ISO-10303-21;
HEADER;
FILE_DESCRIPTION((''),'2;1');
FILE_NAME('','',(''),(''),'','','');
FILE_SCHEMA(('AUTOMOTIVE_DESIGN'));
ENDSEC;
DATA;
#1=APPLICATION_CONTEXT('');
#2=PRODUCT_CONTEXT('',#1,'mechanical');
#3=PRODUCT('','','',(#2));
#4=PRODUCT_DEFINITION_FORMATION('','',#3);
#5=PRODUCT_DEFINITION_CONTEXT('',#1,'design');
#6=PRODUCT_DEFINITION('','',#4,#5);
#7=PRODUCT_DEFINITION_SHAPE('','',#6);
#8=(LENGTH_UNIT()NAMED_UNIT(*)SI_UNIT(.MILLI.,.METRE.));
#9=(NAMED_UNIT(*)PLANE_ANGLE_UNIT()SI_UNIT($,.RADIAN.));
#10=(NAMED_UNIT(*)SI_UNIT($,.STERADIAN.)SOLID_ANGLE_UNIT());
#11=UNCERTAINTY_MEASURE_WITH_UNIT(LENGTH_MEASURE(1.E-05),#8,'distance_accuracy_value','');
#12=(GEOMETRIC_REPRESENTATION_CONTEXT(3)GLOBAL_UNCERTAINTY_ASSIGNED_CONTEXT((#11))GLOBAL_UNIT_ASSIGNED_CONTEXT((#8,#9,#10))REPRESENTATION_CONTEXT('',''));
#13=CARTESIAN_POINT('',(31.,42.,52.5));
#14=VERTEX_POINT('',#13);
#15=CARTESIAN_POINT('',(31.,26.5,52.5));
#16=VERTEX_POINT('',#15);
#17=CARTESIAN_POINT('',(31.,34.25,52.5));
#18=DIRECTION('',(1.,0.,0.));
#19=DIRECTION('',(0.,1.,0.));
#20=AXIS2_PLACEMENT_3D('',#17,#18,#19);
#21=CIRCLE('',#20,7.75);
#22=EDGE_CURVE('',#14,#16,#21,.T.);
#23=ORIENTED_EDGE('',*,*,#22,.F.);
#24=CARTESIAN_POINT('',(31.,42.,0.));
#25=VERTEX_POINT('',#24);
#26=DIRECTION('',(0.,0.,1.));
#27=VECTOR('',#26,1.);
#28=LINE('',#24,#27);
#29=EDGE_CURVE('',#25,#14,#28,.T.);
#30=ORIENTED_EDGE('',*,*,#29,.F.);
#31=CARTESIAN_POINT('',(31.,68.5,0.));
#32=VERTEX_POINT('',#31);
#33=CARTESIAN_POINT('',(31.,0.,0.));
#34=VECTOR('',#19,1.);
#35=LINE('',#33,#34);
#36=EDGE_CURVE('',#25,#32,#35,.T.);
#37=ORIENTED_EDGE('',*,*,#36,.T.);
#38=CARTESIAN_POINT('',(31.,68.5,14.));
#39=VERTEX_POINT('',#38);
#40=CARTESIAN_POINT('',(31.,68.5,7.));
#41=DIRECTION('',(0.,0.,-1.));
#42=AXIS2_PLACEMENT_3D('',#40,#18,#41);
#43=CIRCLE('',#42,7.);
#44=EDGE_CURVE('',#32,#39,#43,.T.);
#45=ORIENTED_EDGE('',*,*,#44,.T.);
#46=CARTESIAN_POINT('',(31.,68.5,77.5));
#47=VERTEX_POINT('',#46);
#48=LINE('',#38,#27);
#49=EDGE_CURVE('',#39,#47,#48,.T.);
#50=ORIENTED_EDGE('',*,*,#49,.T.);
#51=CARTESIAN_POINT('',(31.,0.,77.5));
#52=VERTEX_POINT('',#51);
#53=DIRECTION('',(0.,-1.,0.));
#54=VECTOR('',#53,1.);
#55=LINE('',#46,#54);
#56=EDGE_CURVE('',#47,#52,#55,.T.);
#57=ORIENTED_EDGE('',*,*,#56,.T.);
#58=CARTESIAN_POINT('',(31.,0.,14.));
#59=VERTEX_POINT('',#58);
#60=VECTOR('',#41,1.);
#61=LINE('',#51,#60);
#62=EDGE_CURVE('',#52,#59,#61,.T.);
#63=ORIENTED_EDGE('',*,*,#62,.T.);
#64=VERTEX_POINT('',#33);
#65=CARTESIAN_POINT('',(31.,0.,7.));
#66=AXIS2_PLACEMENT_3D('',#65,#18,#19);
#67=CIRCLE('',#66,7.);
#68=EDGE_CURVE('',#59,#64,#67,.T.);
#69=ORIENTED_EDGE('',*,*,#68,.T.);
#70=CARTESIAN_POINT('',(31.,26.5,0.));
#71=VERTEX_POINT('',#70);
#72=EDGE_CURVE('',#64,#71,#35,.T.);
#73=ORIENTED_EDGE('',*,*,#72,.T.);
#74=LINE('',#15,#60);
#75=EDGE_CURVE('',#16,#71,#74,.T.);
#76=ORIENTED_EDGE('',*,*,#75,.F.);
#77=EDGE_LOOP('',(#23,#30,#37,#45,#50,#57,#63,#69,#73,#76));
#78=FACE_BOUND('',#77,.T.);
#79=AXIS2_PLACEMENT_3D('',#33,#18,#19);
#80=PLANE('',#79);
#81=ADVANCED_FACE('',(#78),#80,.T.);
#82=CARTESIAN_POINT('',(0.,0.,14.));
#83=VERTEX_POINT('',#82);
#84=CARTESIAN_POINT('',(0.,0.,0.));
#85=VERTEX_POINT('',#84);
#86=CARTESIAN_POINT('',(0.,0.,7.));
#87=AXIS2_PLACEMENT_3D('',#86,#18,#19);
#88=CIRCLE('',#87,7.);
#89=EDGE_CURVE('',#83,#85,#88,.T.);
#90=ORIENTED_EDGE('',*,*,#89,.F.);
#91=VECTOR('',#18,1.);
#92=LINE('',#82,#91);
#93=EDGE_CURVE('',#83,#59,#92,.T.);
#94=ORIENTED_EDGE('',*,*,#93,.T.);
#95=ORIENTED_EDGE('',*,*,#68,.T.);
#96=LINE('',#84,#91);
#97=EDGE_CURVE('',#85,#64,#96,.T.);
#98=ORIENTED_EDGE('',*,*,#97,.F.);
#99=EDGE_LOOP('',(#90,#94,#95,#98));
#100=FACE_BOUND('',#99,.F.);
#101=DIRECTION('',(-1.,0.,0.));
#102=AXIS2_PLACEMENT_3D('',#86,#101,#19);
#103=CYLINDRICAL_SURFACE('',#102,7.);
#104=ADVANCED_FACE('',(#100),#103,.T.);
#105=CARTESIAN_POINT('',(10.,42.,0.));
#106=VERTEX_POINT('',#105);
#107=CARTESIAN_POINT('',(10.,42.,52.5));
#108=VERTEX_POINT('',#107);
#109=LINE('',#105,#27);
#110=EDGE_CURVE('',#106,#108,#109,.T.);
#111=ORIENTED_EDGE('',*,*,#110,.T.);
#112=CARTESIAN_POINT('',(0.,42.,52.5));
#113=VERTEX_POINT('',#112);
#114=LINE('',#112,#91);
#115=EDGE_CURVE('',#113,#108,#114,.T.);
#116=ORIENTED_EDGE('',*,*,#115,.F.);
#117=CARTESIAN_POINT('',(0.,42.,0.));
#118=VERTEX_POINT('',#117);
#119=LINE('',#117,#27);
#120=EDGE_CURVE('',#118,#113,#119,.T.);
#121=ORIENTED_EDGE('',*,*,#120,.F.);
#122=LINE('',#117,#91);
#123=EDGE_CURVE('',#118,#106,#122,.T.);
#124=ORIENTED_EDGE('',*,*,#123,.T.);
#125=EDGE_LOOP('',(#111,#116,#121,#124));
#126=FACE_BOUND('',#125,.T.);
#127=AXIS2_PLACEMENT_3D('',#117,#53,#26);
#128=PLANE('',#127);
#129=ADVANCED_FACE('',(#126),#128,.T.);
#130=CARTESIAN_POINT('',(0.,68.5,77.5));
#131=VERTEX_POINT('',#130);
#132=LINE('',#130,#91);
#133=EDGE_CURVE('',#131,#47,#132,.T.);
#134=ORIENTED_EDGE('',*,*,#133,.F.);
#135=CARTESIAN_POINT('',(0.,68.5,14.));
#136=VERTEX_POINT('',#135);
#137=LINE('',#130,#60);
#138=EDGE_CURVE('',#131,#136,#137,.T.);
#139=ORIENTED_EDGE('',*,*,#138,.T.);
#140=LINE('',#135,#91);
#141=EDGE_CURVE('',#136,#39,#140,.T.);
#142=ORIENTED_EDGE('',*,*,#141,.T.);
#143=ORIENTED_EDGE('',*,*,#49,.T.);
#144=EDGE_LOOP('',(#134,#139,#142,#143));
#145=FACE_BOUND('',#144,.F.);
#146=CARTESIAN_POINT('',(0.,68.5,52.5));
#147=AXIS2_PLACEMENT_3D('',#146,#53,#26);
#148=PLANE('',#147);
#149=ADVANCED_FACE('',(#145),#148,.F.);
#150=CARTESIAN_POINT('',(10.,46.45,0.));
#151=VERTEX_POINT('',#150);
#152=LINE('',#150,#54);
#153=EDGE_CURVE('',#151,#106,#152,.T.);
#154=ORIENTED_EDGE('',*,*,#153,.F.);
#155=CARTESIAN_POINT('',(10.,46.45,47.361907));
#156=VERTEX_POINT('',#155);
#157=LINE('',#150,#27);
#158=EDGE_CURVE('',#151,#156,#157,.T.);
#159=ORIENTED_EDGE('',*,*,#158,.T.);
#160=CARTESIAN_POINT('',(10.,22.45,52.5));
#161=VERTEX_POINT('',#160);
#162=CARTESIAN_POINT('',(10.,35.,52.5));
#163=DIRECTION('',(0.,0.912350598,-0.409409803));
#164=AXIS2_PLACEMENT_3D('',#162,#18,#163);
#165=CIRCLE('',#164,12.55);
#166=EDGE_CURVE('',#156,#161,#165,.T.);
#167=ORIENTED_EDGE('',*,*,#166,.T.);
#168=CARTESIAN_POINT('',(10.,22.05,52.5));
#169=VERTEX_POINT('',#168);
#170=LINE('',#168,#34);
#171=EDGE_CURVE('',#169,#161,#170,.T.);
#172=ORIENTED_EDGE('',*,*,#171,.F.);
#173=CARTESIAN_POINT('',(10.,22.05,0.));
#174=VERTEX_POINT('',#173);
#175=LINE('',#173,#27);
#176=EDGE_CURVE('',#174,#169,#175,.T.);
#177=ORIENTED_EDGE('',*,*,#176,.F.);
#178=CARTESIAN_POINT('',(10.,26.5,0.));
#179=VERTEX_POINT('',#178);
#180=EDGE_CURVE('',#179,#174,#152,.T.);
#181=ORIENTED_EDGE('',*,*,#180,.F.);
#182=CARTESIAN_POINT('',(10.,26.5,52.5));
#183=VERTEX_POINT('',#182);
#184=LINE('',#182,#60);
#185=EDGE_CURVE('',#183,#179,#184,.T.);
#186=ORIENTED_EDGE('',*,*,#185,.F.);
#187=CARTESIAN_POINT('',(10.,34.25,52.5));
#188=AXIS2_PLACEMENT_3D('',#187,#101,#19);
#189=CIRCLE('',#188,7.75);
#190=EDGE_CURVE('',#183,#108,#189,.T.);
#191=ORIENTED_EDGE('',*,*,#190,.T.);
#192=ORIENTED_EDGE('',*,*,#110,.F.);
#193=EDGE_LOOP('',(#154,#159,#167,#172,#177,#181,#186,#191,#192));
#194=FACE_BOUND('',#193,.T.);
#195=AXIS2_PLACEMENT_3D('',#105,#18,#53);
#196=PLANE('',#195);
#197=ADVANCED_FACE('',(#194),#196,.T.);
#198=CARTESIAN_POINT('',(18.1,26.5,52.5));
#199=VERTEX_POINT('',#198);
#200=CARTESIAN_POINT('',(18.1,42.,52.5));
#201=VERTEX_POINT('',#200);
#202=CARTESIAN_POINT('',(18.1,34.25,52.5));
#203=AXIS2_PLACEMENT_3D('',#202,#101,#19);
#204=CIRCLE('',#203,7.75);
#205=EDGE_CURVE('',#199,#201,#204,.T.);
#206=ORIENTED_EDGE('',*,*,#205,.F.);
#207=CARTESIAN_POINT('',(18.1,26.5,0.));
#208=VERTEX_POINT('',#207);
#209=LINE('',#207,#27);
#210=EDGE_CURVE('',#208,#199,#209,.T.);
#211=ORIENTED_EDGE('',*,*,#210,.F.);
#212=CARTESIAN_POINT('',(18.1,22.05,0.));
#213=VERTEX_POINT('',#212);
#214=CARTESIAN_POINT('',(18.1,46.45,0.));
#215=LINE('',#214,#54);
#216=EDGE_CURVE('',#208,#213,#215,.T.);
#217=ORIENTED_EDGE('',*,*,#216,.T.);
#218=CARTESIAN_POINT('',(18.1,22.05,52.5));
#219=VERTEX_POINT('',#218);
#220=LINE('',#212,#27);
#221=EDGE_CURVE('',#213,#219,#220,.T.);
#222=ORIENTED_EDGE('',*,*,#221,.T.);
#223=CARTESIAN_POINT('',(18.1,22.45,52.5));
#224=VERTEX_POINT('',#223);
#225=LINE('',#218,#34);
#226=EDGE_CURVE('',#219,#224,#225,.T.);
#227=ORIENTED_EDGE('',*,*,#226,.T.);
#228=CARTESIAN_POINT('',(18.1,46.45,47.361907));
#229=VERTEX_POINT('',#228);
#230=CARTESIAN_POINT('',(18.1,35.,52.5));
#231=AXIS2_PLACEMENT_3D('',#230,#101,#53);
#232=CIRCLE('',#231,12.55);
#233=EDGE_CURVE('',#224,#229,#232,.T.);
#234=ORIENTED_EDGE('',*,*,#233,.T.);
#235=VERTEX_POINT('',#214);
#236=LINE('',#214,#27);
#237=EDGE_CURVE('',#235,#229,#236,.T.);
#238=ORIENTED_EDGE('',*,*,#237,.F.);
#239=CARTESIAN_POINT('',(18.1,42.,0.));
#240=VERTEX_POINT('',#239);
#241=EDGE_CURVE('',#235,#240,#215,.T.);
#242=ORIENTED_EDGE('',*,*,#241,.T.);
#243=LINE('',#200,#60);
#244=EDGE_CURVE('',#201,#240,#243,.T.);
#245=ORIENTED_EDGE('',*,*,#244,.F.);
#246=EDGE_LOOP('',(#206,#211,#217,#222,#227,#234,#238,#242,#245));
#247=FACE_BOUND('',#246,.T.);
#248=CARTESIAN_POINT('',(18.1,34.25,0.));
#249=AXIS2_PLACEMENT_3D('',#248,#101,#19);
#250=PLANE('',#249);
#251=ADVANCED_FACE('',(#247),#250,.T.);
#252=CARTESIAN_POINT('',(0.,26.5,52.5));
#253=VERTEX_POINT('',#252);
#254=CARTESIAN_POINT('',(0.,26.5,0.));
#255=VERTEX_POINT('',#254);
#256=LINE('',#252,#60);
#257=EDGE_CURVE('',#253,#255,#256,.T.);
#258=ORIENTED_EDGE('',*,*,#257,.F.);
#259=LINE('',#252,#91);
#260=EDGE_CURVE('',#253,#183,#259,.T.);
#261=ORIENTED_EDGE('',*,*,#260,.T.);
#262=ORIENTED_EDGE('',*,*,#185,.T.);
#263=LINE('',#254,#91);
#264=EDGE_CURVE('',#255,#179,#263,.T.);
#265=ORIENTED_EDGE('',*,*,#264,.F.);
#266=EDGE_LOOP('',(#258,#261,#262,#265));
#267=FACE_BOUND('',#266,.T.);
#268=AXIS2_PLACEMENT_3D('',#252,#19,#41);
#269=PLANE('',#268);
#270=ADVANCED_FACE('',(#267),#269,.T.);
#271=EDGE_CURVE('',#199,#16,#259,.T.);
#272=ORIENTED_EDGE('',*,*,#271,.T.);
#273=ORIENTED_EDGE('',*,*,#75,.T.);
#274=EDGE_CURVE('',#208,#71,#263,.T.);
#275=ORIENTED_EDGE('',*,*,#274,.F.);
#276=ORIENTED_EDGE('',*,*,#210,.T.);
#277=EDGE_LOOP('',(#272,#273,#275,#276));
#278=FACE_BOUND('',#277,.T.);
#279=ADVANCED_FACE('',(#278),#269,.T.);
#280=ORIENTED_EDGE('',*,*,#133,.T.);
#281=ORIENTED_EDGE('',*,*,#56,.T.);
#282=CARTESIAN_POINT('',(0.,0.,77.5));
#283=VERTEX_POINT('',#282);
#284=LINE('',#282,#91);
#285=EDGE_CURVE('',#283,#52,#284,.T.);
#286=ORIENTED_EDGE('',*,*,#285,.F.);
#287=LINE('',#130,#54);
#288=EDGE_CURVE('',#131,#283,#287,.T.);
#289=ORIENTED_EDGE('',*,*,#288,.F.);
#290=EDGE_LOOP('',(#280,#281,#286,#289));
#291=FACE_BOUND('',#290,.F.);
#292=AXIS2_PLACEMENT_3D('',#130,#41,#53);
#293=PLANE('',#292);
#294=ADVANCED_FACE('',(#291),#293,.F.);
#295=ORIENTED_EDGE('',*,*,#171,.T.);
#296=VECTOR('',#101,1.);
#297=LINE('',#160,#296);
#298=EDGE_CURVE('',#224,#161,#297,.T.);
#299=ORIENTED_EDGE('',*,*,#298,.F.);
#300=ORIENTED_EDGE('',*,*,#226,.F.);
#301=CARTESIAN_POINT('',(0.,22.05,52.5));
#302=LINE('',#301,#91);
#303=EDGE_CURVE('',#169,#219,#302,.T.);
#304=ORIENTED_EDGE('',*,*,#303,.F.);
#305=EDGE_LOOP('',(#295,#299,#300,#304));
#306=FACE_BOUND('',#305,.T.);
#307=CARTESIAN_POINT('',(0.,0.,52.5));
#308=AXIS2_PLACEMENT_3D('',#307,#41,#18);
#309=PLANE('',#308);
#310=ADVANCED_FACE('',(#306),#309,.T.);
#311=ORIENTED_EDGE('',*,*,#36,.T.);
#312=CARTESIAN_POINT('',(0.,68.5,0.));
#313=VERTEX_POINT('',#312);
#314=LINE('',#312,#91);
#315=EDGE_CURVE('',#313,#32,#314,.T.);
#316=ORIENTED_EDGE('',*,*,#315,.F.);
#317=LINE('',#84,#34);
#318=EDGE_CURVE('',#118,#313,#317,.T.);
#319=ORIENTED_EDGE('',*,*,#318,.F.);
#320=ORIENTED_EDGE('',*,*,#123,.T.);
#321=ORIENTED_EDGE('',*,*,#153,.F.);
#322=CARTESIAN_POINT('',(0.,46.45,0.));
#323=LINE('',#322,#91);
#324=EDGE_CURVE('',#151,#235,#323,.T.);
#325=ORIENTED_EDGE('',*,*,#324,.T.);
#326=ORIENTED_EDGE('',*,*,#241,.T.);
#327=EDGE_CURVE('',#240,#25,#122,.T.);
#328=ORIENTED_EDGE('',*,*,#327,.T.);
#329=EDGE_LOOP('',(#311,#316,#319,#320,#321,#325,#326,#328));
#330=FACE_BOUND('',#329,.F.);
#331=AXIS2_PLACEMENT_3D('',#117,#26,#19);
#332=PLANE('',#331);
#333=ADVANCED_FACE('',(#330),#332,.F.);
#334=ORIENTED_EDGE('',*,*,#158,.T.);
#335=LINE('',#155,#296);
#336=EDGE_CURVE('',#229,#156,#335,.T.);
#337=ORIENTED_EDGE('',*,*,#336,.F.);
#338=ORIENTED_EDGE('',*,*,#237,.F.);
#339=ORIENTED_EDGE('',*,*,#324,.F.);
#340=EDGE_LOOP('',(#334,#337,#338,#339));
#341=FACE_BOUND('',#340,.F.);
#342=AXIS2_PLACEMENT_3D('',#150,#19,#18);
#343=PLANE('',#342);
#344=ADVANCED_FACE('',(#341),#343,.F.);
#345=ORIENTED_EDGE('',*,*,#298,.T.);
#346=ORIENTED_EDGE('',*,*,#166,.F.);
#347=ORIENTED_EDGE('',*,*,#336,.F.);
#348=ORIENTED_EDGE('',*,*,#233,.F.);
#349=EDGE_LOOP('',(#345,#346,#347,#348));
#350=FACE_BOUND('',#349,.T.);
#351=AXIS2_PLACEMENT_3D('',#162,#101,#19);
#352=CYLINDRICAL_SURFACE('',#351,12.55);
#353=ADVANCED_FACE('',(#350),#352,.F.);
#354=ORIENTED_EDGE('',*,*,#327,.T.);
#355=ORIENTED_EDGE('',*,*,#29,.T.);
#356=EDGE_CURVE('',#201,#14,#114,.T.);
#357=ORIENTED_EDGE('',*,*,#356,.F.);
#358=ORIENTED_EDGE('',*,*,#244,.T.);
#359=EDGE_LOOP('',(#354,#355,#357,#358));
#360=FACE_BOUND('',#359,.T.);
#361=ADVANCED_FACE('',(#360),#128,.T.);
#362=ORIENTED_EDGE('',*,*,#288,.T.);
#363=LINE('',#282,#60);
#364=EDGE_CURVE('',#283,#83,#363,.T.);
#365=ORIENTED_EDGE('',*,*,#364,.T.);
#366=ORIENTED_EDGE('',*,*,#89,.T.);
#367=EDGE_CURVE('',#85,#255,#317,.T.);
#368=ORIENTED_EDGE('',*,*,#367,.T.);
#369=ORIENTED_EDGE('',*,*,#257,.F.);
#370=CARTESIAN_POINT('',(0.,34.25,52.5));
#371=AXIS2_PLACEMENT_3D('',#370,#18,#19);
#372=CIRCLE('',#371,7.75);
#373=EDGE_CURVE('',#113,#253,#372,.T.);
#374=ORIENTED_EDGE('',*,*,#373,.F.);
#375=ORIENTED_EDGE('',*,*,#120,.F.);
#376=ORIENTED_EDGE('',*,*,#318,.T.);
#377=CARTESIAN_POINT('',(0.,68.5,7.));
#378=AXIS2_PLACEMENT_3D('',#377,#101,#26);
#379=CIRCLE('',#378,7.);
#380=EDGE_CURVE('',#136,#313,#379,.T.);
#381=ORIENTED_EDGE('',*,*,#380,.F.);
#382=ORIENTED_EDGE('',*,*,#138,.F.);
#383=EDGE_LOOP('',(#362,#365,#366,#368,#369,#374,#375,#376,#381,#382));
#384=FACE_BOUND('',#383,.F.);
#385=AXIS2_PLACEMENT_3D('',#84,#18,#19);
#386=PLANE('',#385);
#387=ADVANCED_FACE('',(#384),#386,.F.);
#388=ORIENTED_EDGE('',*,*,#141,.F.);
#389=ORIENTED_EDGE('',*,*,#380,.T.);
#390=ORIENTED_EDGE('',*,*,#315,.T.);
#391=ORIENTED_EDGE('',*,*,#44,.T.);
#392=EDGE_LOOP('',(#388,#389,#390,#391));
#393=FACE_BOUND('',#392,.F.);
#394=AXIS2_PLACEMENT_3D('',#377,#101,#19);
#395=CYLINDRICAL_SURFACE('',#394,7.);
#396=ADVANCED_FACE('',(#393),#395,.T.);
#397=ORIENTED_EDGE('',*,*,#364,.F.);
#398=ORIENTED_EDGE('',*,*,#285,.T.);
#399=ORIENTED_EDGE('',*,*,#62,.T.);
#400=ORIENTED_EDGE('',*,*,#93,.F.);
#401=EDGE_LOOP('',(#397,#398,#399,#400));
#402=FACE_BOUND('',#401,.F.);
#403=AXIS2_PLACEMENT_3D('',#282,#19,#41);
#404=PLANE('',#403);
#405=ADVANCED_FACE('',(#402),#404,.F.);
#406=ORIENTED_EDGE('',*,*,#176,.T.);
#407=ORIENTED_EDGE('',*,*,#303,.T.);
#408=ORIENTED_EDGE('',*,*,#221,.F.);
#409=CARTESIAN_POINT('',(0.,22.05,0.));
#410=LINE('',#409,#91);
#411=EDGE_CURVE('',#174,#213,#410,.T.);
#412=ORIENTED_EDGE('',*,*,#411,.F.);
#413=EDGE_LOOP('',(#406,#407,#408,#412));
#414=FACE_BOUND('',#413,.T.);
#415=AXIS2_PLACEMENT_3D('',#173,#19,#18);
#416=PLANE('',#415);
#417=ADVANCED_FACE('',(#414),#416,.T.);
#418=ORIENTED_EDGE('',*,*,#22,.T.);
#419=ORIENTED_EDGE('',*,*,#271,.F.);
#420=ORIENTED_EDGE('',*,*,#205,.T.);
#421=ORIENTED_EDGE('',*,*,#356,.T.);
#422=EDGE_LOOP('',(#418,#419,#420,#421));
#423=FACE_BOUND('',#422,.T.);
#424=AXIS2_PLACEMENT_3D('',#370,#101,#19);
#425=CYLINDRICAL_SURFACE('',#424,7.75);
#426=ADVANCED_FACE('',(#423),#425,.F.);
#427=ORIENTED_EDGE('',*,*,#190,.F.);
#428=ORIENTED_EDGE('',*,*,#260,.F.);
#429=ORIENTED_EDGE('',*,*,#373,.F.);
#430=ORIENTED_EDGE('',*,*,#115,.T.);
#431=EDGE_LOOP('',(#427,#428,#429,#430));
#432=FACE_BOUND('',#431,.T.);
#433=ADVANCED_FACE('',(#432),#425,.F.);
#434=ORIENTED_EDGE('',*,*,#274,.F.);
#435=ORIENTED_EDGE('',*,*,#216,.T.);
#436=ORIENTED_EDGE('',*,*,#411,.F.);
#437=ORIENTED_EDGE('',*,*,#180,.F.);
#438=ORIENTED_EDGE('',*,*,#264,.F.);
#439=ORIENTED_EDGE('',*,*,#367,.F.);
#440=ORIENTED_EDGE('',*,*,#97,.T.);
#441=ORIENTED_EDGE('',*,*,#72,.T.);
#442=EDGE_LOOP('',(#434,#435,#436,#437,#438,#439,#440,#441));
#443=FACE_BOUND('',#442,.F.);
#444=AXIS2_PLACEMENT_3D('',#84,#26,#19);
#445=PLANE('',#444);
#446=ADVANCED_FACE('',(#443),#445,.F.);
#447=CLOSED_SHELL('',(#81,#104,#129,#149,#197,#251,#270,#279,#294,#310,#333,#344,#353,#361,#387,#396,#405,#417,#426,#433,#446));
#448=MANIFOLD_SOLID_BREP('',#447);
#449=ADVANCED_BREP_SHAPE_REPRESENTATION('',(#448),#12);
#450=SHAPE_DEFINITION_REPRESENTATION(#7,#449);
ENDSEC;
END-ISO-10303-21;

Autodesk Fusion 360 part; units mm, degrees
sketch "Boceto1" plane through (0, 0, 0) normal (0, 0, 1) x (1, 0, 0)
sketch "Boceto2" plane through (0, 0, 0) normal (1, 0, 0) x (0, 1, 0)
  line L0 (0, 0) -> (68.5, 0)
  line L1 (68.5, 0) -> (68.5, 77.5)
  line L2 (68.5, 77.5) -> (0, 77.5)
  line L3 (0, 77.5) -> (0, 0)
  line L4 (0, 0) -> (26.5, 0)
  line L5 (68.5, 0) -> (42, 0)
  line L6 (0, 0) -> (0, 7)
  line L7 (68.5, 0) -> (68.5, 7)
  circle A0 centre (0, 7) radius 7
  circle A1 centre (68.5, 7) radius 7
  line L8 (68.5, 14) -> (68.5, 52.5)
  line L9 (26.5, 0) -> (42, 0)
  line L10 (42, 0) -> (42, 52.5)
  line L11 (26.5, 52.5) -> (26.5, 0)
  circle A2 centre (34.25, 52.5) radius 7.75
  line L12 (26.5, 52.5) -> (26.5, 0)
  line L13 (42, 52.5) -> (42, 0)
  line L14 (26.5, 52.5) -> (42, 52.5)
  dimension "d2" = 77.5
  dimension "d3" = 26.5
  dimension "d4" = 26.5
  dimension "d9_1" = 15.5
  dimension "d89" = 68.5
sketch "Boceto3" plane through (0, 0, 0) normal (1, 0, 0) x (0, 1, 0)
extrude "Extruir2" add sketch "Boceto2" along normal blind 31 contours L0 L1 L2 L3 L4 L5 A0 A1 L8 L10 L11 A2 L12 L13 | L3 L6 A0 | L3 L6 A0 | L1 L7 A1 | L1 L7 A1
sketch "Boceto4" plane through (0, 26.5, 0) normal (0, 1, 0) x (-1, 0, 0)
  line L0 (0, 0) -> (0, 52.5)
  line L1 (0, 52.5) -> (-31, 52.5)
  line L2 (-31, 52.5) -> (-31, 0)
  line L3 (-31, 0) -> (0, 0)
  line L4 (-31, 0) -> (-21, 0)
  line L5 (-21, 0) -> (-13, 0)
  line L6 (-13, 0) -> (0, 0)
  dimension "d14_1" = 10
  dimension "d15_1" = 8
sketch "Boceto5" plane through (0, 0, 0) normal (0, 0, -1) x (1, 0, 0)
  line L0 (0, -42) -> (0, -68.5)
  line L1 (0, -68.5) -> (31, -68.5)
  line L2 (31, -68.5) -> (31, -42)
  line L3 (31, -42) -> (0, -42)
  line L4 (31, -42) -> (31, -26.5)
  line L5 (31, -26.5) -> (31, -34.25)
  line L6 (31, -34.25) -> (0, -34.25)
  line L7 (0, -34.25) -> (0, -22.05)
  line L8 (0, -34.25) -> (0, -46.45)
  line L9 (0, -34.25) -> (31, -34.25)
  line L10 (0, -34.25) -> (0, -22.05)
  line L11 (0, -22.05) -> (31, -22.05)
  line L12 (31, -22.05) -> (31, -34.25)
  line L13 (0, -46.45) -> (31, -46.45)
  line L14 (31, -46.45) -> (31, -22.05)
  line L15 (0, -22.05) -> (10, -22.05)
  line L16 (10, -22.05) -> (18.1, -22.05)
  line L17 (10, -22.05) -> (18.1, -22.05)
  line L18 (18.1, -22.05) -> (18.1, -46.45)
  line L19 (18.1, -46.45) -> (10, -46.45)
  line L20 (10, -46.45) -> (10, -22.05)
  dimension "d16_1" = 12.2
  dimension "d17_1" = 12.2
  dimension "d18_1" = 10
  dimension "d19" = 8.1
  dimension "d20" = 8.1
extrude "Extruir3" cut sketch "Boceto5" against normal blind 52.5 contours L3 L6 L9 L18 L20 | L3 L13 L18 L19 L20 | L6 L9 L11 L16 L17 L18 L20
ref_plane "PlanoDeObra1" through (10, 44.225, 26.25) normal (1, 0, 0) x (0, 1, 0)
sketch "Boceto6" plane through (10, 44.975, 26.25) normal (1, 0, 0) x (0, 1, 0)
  circle A0 centre (-9.975, 26.25) radius 12.55
  dimension "d24_1" = 25.1
extrude "Extruir4" cut sketch "Boceto6" along normal blind 8.1
sketch "Boceto7" plane through (0, 0, 0) normal (0, 0, -1) x (1, 0, 0)
  line L0 (18.1, -22.05) -> (18.1, -26.5)
  line L1 (18.1, -26.5) -> (31, -26.5)
  line L2 (31, -26.5) -> (31, 0)
  line L3 (31, 0) -> (0, 0)
  line L4 (0, 0) -> (0, -26.5)
  line L5 (0, -26.5) -> (10, -26.5)
  line L6 (10, -26.5) -> (10, -22.05)
  line L7 (10, -22.05) -> (18.1, -22.05)
